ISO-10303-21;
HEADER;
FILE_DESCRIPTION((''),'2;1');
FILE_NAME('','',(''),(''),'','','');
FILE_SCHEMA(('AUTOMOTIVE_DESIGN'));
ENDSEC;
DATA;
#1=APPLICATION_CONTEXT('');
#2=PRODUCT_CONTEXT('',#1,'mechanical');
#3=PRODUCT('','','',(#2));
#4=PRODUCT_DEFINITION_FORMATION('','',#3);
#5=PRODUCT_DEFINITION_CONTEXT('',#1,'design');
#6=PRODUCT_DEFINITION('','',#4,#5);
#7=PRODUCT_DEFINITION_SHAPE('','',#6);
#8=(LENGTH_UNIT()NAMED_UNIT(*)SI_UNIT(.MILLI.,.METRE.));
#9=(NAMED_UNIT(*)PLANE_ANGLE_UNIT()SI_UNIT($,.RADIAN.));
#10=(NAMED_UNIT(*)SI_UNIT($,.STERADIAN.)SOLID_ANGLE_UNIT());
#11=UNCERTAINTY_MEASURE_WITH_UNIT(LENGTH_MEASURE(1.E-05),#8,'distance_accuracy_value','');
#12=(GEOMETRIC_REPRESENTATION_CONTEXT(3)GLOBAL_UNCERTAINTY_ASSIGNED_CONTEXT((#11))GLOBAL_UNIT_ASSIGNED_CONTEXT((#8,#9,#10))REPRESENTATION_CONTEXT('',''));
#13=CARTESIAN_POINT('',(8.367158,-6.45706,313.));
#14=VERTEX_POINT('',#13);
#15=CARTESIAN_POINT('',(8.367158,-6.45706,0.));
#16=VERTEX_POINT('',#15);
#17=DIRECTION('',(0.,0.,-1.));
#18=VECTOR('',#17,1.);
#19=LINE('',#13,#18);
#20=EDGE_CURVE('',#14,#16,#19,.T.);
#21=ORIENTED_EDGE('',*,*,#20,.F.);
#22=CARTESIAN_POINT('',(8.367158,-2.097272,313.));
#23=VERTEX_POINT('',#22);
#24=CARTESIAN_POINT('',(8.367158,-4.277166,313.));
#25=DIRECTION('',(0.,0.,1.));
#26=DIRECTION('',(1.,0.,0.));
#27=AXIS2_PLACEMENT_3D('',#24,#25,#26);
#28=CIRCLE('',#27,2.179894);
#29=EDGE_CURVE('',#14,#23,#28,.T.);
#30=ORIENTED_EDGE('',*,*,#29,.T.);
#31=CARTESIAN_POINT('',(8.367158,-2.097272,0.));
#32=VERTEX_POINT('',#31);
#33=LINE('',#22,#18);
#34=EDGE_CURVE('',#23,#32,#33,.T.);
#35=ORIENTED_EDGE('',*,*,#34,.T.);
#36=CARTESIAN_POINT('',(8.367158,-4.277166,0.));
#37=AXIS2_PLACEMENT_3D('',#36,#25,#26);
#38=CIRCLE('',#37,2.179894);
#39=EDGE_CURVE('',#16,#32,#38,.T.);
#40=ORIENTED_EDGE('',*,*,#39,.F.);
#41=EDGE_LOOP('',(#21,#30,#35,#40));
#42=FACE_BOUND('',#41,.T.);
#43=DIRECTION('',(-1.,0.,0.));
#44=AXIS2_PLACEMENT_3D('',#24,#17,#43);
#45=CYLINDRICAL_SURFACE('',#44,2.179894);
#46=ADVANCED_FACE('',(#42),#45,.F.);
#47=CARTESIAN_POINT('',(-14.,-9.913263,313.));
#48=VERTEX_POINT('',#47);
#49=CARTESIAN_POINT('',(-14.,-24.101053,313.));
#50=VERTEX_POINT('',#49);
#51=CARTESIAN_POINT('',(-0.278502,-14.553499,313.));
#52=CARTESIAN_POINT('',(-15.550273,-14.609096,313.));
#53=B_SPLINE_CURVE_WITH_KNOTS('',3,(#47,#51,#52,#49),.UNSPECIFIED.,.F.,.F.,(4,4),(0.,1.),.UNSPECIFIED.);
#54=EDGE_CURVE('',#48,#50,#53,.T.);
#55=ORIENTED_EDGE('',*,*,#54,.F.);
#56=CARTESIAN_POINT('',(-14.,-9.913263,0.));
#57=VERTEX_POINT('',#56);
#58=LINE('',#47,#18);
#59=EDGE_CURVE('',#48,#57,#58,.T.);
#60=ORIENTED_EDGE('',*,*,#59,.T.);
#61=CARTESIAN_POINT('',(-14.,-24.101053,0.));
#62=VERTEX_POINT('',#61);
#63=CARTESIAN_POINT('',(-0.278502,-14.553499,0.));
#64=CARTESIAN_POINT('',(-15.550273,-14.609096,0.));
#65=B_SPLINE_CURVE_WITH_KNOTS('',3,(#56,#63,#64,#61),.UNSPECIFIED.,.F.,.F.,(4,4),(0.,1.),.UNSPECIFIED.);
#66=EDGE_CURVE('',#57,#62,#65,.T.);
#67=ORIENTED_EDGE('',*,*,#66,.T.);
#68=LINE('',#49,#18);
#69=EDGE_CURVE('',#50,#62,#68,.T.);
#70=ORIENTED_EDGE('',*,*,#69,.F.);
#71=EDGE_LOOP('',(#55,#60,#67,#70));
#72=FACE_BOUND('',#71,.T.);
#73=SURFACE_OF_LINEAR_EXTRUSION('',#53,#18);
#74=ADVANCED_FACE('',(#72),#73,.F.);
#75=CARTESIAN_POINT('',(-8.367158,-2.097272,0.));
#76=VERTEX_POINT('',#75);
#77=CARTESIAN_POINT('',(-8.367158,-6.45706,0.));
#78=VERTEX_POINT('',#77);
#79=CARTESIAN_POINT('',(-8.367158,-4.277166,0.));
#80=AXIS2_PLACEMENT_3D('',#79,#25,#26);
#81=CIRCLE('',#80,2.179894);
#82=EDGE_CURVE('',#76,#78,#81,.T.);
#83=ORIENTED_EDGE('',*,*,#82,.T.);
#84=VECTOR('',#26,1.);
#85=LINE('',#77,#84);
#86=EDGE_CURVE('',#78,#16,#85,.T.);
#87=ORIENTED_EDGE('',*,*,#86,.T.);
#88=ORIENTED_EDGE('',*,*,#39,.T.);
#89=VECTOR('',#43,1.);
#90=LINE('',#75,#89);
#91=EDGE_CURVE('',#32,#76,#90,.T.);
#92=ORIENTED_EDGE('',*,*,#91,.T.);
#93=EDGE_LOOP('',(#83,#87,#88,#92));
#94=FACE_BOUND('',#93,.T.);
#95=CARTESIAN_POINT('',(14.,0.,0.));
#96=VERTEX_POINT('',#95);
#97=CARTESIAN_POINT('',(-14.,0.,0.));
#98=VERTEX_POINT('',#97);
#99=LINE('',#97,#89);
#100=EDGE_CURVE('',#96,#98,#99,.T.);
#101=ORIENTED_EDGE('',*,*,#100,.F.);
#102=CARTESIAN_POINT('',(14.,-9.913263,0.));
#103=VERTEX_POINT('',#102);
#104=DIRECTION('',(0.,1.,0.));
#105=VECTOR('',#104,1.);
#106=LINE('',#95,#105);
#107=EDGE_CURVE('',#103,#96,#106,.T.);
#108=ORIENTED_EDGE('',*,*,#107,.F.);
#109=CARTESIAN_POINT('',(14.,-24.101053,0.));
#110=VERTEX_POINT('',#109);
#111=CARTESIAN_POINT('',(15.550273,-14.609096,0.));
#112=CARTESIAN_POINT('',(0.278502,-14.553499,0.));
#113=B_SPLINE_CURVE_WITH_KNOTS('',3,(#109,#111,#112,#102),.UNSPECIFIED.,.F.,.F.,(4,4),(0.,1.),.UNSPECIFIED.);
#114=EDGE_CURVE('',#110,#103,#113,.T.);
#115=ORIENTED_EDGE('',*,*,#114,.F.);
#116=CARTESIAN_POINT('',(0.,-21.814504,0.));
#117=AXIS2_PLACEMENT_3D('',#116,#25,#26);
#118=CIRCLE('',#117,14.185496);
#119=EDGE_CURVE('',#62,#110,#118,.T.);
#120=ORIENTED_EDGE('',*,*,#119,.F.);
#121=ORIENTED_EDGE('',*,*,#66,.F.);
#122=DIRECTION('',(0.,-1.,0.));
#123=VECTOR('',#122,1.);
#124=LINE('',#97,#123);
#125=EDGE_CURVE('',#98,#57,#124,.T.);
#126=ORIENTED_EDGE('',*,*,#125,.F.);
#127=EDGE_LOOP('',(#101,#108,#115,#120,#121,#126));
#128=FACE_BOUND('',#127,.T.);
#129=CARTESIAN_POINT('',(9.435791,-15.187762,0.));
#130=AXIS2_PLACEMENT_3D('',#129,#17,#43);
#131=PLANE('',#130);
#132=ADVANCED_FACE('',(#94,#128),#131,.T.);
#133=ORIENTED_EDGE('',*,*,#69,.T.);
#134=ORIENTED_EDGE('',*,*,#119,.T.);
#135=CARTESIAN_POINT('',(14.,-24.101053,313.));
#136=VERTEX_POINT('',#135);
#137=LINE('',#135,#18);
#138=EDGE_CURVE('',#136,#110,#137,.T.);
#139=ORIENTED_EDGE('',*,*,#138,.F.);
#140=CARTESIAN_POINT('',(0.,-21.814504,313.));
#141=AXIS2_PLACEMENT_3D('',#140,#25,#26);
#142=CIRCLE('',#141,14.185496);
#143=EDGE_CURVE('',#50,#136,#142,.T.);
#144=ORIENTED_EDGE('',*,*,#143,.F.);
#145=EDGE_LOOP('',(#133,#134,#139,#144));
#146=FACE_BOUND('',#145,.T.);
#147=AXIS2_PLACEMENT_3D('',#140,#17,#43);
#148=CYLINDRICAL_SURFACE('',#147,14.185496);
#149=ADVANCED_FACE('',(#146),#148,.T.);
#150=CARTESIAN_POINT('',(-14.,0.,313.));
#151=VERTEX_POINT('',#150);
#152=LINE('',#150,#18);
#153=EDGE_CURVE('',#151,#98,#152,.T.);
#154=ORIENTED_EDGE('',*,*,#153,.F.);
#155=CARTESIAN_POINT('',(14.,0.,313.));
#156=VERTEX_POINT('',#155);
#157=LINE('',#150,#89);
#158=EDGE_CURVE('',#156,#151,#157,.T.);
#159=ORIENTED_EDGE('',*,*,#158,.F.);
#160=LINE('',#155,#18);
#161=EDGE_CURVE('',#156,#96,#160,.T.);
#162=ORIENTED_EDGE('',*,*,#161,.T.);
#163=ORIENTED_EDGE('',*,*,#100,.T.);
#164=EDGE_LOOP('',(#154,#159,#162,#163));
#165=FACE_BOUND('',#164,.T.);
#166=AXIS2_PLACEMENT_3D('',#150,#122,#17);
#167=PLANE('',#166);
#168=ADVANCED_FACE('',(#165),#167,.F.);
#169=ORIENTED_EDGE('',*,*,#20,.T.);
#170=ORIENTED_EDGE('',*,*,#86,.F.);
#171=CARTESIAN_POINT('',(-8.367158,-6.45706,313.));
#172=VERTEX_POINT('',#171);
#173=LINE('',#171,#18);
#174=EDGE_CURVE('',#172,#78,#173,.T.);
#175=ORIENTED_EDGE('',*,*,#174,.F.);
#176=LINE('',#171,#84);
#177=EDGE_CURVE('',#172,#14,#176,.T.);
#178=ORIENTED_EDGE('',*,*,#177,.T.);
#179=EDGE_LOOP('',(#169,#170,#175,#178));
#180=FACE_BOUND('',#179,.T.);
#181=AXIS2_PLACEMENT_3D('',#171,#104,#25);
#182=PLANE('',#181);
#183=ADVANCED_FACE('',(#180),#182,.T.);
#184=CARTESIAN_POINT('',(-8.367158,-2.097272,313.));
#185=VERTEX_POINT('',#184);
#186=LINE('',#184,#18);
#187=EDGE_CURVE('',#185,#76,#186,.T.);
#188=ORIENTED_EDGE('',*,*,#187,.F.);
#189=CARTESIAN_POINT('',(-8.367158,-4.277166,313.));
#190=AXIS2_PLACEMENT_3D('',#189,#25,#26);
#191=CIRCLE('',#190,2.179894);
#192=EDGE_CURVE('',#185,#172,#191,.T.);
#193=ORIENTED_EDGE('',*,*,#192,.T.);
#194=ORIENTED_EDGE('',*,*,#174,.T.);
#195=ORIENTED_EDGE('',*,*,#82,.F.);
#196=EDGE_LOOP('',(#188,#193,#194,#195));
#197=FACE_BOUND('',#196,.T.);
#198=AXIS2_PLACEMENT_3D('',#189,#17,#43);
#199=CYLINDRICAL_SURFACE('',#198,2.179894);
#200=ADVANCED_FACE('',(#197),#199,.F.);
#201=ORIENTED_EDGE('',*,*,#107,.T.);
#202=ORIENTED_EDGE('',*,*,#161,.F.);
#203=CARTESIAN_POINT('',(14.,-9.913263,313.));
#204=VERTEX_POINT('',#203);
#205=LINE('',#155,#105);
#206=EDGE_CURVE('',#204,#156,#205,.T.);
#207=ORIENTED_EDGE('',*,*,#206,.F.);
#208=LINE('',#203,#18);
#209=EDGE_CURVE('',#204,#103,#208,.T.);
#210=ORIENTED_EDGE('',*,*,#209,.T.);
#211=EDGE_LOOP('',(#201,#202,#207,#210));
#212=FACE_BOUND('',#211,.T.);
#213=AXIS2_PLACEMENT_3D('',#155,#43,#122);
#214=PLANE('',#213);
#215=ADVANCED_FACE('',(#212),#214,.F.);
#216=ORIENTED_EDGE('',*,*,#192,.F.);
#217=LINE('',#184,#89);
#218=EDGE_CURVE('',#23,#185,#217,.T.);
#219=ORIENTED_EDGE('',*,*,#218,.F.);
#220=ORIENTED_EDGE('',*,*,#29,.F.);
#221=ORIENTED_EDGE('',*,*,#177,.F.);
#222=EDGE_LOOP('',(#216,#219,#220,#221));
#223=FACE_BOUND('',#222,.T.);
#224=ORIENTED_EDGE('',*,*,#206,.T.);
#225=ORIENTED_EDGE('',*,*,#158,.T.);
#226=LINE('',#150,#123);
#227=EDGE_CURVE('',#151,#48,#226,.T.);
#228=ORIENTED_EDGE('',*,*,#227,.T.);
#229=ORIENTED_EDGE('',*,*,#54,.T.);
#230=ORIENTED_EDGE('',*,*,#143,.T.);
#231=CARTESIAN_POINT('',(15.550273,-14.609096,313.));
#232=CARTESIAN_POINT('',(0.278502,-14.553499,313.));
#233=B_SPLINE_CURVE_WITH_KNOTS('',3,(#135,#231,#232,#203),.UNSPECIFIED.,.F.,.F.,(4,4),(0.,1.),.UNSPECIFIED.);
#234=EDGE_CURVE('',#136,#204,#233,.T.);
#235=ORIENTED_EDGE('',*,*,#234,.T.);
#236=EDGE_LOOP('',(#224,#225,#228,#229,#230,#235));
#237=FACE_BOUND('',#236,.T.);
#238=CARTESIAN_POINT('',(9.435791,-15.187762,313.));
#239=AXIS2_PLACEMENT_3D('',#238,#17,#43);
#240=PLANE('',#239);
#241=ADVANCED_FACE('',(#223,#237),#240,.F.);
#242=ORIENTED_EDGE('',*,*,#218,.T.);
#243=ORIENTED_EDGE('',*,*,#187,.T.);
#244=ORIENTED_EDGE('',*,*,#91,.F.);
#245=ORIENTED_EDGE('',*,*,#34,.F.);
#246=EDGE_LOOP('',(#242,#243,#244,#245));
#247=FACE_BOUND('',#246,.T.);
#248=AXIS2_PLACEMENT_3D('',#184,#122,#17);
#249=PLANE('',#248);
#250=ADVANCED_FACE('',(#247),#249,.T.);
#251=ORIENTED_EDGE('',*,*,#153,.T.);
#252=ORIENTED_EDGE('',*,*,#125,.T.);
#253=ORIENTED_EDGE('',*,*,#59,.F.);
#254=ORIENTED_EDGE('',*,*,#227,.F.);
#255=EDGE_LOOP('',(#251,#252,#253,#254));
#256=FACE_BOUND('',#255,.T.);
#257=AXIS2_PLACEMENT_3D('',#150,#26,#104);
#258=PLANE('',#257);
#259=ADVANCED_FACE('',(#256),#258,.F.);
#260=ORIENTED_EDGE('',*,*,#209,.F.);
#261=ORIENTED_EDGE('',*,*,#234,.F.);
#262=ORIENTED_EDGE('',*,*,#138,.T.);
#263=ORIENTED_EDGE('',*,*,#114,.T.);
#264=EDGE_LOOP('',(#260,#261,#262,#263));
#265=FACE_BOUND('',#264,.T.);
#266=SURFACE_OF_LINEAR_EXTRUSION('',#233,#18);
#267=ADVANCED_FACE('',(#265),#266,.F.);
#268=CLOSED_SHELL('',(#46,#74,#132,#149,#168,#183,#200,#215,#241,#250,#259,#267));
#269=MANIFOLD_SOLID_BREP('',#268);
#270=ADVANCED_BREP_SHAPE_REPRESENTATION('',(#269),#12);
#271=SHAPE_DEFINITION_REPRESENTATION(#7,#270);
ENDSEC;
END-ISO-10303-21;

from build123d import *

# Parameters (mm, degrees)
BOSS_EXTRU_1_DEPTH = 313


with BuildPart() as part:
    # Esquisse1 → Boss.-Extru.1 (new body)
    with BuildSketch(Plane.XY):
        with BuildLine():
            Line((-14, 0), (14, 0))
            Line((14, 0), (14, -9.913263158))
            add(Edge.make_bspline(
                [(14, -9.913263158), (0.278502062, -14.553498897), (15.550273166, -14.609095678), (14, -24.101052632)],
                knots=[0, 0, 0, 0, 1, 1, 1, 1], degree=3))
            ThreePointArc((14, -24.101052632), (0, -36), (-14, -24.101052632))
            add(Edge.make_bspline(
                [(-14, -9.913263158), (-0.278502062, -14.553498897), (-15.550273166, -14.609095678), (-14, -24.101052632)],
                knots=[0, 0, 0, 0, 1, 1, 1, 1], degree=3))
            Line((-14, -9.913263158), (-14, 0))
        make_face()
        with BuildLine():
            Line((-8.367157895, -2.097271975), (8.367157895, -2.097271975))
            ThreePointArc((8.367157895, -2.097271975), (10.547051834, -4.277165914), (8.367157895, -6.457059853))
            Line((8.367157895, -6.457059853), (-8.367157895, -6.457059853))
            ThreePointArc((-8.367157895, -6.457059853), (-10.547051834, -4.277165914), (-8.367157895, -2.097271975))
        make_face(mode=Mode.SUBTRACT)
    extrude(amount=BOSS_EXTRU_1_DEPTH)


solid = part.part
